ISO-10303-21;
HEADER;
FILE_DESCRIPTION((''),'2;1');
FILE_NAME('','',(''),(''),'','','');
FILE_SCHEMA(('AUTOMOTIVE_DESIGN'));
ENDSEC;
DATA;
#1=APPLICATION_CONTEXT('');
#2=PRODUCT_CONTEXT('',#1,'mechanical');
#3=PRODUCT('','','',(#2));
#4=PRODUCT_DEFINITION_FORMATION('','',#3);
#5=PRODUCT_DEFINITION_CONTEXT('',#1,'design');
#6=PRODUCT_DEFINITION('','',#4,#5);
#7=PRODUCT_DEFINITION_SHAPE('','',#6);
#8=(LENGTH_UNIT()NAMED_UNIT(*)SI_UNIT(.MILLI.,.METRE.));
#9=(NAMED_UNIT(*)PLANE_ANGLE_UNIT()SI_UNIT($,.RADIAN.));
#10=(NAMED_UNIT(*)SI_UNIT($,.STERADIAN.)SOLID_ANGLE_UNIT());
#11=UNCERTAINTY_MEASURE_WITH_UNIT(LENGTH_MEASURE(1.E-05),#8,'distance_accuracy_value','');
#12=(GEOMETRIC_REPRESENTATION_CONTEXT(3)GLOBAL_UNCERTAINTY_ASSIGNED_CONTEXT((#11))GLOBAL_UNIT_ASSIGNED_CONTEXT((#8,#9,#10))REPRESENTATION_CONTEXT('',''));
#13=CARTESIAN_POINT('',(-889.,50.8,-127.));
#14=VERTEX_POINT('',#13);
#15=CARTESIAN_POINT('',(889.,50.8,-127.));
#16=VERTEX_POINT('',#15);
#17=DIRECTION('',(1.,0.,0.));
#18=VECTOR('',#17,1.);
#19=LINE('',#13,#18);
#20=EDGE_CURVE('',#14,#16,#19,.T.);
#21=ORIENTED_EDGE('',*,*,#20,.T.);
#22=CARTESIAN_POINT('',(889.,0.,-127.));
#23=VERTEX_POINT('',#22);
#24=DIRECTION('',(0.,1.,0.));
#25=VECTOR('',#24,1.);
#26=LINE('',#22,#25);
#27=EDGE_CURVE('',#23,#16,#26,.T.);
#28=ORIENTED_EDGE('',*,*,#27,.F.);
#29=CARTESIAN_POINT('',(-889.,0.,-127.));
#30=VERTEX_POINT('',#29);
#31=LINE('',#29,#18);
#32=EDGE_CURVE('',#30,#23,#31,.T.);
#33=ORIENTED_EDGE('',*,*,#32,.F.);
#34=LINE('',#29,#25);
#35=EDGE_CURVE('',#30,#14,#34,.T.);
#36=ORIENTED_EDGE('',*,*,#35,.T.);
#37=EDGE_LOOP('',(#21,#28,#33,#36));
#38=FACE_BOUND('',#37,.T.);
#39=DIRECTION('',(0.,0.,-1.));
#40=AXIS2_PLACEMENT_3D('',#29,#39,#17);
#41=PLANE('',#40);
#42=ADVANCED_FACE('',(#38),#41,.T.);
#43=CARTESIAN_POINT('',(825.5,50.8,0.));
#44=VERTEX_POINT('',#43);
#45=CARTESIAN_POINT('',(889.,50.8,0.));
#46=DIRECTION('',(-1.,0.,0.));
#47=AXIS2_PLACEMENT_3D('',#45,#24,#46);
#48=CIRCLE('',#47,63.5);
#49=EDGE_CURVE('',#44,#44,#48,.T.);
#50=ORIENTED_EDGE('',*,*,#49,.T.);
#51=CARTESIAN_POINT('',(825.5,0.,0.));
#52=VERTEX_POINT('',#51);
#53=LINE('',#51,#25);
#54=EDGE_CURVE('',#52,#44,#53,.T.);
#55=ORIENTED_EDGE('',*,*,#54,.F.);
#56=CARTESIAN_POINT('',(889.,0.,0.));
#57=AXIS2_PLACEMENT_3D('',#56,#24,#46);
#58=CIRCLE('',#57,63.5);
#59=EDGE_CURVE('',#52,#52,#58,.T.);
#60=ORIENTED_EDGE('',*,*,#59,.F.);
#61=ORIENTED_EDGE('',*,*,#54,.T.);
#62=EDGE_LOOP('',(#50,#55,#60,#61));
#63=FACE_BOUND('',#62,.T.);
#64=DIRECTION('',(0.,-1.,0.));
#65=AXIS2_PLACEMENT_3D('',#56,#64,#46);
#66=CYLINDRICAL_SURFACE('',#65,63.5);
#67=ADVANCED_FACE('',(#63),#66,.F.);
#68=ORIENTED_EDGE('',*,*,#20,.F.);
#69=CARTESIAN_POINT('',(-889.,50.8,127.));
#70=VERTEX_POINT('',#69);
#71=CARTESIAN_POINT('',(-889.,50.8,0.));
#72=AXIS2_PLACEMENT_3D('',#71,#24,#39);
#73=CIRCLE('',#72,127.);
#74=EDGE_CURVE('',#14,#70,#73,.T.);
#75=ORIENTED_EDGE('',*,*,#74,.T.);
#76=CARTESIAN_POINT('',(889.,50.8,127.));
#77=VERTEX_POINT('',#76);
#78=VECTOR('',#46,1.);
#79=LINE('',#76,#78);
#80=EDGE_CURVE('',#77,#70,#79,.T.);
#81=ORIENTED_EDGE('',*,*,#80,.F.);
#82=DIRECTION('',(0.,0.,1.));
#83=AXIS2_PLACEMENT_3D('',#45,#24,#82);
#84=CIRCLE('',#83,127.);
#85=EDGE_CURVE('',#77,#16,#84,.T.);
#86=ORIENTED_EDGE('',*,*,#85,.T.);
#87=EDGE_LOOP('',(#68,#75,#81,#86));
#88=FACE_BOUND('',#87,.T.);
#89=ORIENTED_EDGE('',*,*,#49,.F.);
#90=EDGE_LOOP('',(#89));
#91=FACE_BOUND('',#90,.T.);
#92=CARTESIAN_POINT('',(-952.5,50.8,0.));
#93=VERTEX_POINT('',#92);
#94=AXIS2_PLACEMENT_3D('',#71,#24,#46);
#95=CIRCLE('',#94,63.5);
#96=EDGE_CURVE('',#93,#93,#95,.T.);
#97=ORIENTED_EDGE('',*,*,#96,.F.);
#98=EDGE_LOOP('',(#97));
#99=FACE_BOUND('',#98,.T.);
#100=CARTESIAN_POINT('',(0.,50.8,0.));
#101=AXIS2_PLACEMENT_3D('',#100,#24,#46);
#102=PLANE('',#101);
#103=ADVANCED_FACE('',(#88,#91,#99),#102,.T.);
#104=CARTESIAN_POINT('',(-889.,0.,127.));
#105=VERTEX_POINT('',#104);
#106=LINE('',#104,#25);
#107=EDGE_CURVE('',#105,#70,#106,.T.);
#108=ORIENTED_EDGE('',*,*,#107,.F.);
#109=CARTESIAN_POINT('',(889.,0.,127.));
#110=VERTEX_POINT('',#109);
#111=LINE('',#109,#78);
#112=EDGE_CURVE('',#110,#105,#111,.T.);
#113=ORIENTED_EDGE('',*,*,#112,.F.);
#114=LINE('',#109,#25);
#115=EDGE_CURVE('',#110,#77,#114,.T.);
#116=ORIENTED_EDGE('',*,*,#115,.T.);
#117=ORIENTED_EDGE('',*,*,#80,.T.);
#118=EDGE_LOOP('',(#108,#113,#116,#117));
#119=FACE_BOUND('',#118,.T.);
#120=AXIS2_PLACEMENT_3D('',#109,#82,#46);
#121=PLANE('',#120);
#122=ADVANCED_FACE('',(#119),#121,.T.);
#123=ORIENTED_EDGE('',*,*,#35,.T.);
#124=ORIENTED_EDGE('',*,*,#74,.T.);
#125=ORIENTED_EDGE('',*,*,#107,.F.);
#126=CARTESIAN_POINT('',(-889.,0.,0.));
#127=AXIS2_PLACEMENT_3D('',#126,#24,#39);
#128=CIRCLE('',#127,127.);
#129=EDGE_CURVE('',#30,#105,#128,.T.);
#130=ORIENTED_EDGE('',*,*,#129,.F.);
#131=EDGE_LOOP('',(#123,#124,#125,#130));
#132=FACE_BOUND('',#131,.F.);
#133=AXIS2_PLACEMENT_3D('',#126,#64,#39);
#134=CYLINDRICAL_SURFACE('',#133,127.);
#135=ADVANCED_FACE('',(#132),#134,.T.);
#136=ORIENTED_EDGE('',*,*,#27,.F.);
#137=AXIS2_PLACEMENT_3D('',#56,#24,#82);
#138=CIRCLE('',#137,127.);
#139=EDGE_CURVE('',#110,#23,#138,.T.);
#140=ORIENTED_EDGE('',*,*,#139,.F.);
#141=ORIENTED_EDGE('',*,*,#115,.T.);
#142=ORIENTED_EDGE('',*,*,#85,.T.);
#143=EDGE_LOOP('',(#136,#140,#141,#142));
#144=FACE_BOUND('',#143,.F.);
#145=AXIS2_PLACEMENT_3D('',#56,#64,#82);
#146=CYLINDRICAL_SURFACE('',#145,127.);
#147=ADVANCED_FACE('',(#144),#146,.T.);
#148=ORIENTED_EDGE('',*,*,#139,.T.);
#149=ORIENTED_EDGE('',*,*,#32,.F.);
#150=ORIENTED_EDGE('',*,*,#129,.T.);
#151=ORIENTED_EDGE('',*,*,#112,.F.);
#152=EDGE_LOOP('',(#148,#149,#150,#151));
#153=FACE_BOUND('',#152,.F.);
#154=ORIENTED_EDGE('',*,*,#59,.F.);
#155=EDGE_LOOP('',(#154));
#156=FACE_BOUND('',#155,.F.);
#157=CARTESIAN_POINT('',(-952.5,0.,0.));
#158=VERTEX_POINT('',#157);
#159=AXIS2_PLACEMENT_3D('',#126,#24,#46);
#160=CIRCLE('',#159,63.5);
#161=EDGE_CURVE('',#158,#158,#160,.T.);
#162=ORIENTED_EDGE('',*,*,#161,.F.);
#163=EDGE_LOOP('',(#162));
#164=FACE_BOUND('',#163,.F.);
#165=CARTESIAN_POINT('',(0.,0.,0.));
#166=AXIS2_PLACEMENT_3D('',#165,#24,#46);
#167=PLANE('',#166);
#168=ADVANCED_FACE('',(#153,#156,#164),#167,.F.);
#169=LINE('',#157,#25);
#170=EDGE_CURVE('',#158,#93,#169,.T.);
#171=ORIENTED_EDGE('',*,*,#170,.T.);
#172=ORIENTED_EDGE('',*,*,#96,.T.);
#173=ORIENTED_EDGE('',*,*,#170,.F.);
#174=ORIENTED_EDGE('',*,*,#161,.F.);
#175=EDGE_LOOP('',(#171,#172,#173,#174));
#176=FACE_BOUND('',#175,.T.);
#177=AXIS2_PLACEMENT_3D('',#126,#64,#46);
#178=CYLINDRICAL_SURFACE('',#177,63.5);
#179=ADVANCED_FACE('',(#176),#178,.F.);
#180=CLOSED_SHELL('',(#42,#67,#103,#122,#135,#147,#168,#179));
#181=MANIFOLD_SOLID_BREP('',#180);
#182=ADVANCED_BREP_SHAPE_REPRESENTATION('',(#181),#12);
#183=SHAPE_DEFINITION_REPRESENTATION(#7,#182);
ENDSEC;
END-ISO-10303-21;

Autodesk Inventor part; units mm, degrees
ref_plane "YZ Plane" through (0, 0, 0) normal (1, 0, 0) x (0, 1, 0)
ref_plane "XZ Plane" through (0, 0, 0) normal (0, 1, 0) x (-1, 0, 0)
ref_plane "XY Plane" through (0, 0, 0) normal (0, 0, 1) x (1, 0, 0)
sketch "Sketch1" plane through (0, 0, 0) normal (0, 1, 0) x (-1, 0, 0)
  line L0 (-889, 127) -> (889, 127)
  line L1 (889, 127) -> (889, -127) construction
  line L2 (889, -127) -> (-889, -127)
  line L3 (-889, -127) -> (-889, 127) construction
  line L4 (-889, 127) -> (889, -127) construction
  line L5 (889, 127) -> (-889, -127) construction
  arc A0 (889, -127) -> (889, 127) centre (889, 0) ccw
  arc A1 (-889, 127) -> (-889, -127) centre (-889, 0) ccw
  circle A2 centre (889, 0) radius 63.5
  circle A3 centre (-889, 0) radius 63.5
  point P0 (0, 0)
  dimension "d0" = 1778
  dimension "d1" = 254
  dimension "d2" = 127
  dimension "d3" = 127
extrude "Extrusion1" add sketch "Sketch1" along normal blind 50.8
properties part number "Coupler"
